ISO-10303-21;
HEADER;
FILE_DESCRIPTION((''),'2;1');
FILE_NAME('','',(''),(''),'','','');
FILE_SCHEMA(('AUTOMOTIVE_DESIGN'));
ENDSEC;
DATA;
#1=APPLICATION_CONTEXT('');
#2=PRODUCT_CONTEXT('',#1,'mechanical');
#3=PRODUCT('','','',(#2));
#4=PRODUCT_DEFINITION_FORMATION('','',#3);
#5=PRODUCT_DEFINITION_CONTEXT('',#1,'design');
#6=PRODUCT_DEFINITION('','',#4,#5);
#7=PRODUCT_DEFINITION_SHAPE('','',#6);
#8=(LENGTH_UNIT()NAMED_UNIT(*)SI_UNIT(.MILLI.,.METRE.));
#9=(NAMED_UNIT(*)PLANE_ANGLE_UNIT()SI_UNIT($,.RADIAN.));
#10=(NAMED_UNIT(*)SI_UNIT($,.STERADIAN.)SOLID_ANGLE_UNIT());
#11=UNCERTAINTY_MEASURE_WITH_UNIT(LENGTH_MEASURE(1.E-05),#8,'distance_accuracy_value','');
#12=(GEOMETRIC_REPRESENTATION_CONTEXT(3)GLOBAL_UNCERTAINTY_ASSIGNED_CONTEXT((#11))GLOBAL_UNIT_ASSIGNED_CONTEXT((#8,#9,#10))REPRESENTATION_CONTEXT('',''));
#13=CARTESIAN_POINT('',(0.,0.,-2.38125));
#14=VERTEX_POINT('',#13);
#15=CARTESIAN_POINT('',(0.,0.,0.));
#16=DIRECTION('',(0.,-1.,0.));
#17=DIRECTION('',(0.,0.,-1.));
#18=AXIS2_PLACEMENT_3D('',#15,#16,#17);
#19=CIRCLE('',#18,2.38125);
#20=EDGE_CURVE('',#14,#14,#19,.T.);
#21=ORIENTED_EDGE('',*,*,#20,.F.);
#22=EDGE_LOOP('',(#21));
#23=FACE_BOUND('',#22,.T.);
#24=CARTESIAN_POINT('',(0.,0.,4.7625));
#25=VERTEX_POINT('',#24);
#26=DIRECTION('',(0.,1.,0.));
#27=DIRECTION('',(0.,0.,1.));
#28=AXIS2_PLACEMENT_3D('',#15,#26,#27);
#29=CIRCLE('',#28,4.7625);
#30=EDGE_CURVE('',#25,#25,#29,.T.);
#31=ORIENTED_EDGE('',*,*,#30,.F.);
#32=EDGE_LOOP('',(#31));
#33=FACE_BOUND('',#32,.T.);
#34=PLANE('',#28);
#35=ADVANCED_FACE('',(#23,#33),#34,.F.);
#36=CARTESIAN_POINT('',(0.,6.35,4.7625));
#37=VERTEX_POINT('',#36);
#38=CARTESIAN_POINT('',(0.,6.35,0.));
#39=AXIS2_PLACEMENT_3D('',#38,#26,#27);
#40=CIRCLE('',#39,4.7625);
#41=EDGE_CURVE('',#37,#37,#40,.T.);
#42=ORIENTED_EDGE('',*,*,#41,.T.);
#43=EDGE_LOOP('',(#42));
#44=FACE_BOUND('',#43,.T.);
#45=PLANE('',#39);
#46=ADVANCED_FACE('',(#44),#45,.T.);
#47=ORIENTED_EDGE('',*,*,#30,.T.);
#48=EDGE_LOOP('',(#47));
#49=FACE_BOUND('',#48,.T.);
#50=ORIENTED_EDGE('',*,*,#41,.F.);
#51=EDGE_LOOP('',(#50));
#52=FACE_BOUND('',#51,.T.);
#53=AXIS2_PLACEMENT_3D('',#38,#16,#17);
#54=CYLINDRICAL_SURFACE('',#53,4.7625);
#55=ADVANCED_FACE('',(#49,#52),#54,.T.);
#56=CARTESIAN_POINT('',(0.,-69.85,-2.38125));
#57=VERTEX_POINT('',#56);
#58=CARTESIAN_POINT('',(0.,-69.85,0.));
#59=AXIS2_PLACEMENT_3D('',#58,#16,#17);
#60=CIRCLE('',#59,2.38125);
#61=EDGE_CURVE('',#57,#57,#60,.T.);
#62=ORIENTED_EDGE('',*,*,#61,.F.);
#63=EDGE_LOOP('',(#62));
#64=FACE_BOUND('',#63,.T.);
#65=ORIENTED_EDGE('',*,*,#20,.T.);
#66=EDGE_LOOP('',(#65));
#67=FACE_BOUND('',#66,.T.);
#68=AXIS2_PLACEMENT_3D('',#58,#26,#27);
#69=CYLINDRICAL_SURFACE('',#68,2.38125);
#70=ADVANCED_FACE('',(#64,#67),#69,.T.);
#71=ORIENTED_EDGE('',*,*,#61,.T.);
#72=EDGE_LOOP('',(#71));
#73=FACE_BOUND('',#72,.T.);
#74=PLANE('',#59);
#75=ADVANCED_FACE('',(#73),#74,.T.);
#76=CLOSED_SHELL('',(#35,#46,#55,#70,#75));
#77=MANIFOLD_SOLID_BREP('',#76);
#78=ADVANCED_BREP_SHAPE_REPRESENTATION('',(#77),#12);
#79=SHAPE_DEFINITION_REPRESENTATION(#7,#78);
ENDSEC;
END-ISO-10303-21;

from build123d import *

# Parameters (mm, degrees)
SKETCH1_R           = 4.7625
BOSS_EXTRUDE1_DEPTH = 6.35
SKETCH2_R           = 2.38125
BOSS_EXTRUDE2_DEPTH = 69.85


with BuildPart() as part:
    # Sketch1 → Boss-Extrude1 (new body)
    with BuildSketch(Plane(origin=(0, 0, 0), x_dir=(1, 0, 0), z_dir=(0, 1, 0))):
        with Locations(Location((0, 0, 0), (0, 0, 270))):
            Circle(SKETCH1_R)
    extrude(amount=BOSS_EXTRUDE1_DEPTH)

    # Sketch2 → Boss-Extrude2 (add)
    with BuildSketch(Plane(origin=(0, 0, 0), x_dir=(-1, 0, 0), z_dir=(0, -1, 0))):
        with Locations(Location((0, 0, 0), (0, 0, 90))):
            Circle(SKETCH2_R)
    extrude(amount=BOSS_EXTRUDE2_DEPTH)


solid = part.part
